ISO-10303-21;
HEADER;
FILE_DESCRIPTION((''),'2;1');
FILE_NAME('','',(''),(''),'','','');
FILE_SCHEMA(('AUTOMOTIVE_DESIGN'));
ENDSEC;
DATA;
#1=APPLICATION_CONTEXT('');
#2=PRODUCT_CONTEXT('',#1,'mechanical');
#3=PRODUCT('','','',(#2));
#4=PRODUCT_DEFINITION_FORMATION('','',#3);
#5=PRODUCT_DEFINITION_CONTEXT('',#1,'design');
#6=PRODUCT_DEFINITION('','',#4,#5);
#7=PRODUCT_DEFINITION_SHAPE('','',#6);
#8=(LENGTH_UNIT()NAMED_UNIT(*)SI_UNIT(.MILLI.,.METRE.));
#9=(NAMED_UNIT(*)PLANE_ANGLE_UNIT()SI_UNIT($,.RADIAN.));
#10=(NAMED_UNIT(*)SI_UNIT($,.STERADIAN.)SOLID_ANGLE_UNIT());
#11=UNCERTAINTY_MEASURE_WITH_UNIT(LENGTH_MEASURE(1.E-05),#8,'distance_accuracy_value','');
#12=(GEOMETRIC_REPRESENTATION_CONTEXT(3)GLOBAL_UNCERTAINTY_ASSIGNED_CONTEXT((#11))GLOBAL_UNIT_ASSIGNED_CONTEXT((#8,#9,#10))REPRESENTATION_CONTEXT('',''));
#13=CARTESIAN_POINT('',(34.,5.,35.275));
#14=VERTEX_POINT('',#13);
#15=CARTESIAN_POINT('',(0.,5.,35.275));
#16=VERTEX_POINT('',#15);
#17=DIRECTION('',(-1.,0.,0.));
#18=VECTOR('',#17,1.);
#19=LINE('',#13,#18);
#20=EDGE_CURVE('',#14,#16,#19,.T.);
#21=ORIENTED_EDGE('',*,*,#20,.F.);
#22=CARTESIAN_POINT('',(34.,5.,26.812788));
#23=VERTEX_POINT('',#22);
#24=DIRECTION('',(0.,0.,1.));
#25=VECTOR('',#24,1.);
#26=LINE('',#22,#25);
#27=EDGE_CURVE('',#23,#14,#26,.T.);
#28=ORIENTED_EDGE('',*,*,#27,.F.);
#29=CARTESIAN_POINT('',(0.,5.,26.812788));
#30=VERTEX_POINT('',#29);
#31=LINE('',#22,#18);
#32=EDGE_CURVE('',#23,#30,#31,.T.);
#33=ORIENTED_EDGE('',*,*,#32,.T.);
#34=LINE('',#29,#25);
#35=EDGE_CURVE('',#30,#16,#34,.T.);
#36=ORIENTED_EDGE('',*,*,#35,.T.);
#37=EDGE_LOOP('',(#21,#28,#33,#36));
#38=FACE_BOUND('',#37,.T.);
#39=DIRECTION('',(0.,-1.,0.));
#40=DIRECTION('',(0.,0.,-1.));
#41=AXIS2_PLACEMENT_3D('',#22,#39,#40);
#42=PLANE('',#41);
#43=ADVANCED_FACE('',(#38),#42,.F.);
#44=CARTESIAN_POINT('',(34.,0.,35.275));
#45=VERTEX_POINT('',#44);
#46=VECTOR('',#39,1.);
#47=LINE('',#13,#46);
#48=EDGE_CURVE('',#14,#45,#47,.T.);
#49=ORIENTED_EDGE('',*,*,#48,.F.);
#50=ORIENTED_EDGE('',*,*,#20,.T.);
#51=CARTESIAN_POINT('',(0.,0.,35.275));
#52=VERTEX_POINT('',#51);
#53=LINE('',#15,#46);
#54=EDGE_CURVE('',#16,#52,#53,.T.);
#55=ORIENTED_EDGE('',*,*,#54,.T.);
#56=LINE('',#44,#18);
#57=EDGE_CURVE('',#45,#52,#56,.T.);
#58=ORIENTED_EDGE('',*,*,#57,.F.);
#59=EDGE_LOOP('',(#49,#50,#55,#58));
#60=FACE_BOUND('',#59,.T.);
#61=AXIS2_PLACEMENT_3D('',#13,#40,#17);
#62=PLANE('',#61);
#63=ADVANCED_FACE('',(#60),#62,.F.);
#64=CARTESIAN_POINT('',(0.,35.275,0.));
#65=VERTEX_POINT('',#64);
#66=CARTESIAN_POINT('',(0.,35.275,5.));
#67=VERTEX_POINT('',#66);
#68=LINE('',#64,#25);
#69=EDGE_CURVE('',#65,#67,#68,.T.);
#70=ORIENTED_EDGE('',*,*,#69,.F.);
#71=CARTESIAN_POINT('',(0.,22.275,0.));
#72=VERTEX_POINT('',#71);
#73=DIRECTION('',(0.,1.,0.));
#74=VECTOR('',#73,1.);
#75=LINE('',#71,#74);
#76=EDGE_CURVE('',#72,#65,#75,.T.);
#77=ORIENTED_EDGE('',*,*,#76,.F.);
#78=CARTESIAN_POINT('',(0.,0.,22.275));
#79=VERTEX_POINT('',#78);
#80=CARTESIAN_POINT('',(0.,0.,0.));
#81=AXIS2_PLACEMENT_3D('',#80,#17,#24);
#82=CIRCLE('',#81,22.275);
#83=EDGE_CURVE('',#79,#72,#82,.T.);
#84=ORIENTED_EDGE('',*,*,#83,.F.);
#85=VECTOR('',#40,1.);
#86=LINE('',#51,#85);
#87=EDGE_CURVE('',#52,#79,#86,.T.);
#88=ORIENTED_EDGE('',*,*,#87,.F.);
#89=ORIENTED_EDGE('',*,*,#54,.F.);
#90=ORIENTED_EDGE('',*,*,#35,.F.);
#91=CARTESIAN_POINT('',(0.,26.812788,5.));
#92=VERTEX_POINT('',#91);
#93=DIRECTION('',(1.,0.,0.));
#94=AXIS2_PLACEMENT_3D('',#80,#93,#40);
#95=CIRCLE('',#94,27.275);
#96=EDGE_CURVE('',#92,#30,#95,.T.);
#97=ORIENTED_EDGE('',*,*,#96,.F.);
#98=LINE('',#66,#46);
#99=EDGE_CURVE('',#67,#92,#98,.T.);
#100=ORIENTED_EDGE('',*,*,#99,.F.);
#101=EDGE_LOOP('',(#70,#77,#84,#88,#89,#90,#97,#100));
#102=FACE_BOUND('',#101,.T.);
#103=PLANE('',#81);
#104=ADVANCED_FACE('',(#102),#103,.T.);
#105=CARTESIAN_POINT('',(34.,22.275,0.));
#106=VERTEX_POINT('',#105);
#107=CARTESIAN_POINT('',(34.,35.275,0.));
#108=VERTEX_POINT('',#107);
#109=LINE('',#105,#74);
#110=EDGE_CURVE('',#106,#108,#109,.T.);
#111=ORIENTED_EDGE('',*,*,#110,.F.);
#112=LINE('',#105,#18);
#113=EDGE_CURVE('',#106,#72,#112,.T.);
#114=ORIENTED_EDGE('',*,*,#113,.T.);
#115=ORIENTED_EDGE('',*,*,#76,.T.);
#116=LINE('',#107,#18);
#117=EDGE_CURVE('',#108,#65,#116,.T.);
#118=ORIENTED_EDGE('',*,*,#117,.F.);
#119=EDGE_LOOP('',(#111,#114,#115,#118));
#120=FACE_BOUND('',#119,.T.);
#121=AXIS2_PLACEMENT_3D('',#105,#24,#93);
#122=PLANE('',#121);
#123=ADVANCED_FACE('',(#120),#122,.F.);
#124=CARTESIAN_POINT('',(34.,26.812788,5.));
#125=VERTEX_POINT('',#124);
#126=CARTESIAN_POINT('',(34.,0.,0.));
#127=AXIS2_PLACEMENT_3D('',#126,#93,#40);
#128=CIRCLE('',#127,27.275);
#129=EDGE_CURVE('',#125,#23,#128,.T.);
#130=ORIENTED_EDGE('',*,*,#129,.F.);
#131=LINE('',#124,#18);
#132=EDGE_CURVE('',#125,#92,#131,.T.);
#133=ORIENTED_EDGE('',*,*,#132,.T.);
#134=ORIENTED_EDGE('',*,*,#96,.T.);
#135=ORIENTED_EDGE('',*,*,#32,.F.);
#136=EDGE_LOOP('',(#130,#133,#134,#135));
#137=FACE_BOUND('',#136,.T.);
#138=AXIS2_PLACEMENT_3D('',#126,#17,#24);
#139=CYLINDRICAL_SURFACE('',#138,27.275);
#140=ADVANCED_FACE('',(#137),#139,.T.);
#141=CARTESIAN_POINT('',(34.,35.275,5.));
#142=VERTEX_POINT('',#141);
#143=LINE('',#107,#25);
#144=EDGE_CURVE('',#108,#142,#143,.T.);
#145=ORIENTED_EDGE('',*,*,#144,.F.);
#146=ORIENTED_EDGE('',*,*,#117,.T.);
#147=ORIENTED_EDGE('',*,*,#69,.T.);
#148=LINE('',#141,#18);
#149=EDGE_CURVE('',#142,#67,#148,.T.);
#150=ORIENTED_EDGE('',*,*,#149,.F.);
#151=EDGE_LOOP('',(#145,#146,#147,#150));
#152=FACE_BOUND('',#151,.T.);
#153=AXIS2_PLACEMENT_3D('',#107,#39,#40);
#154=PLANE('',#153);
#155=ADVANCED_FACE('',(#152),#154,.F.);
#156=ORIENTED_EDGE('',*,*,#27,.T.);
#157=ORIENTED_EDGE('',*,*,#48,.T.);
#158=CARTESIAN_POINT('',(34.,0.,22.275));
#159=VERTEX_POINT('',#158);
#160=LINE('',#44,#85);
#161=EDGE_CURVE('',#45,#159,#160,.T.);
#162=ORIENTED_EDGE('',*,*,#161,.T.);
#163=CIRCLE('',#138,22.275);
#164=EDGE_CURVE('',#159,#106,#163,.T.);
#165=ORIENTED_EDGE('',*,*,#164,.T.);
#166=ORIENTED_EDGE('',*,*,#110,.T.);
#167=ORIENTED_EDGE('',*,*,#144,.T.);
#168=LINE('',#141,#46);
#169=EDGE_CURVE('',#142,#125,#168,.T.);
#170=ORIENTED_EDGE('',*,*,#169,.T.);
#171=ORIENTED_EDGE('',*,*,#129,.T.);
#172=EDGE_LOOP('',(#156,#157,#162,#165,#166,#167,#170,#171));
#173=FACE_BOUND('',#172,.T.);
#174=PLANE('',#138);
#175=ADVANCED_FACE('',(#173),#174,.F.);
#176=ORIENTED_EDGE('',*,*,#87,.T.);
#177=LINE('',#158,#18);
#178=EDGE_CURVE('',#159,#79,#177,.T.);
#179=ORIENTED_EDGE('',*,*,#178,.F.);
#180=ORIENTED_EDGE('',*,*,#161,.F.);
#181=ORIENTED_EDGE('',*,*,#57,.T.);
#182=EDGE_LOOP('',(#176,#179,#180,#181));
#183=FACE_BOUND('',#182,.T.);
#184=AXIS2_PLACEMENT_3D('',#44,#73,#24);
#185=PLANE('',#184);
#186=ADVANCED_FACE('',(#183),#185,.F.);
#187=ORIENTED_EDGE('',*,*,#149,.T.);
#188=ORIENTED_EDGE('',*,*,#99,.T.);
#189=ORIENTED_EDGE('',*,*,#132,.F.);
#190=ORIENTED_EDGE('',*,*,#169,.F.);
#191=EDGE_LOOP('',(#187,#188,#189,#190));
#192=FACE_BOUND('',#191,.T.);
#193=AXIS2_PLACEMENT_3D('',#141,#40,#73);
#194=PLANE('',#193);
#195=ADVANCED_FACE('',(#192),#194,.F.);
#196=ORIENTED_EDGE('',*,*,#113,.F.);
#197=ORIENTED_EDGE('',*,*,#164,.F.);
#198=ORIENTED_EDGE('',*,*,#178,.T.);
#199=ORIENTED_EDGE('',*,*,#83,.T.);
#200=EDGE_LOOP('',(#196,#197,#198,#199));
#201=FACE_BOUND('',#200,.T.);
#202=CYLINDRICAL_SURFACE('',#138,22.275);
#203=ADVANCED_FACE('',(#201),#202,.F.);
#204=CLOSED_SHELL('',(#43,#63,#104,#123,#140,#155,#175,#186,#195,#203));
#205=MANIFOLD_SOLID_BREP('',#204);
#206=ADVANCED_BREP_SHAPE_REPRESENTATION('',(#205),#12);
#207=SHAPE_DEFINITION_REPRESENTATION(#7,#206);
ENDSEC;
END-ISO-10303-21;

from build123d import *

# Parameters (mm, degrees)
BOSS_EXTRUDE1_DEPTH = 34


with BuildPart() as part:
    # Sketch1 → Boss-Extrude1 (new body)
    with BuildSketch(Plane(origin=(0, 0, 0), x_dir=(0, 0, -1), z_dir=(1, 0, 0))):
        with BuildLine():
            Line((-35.275, 0), (-22.275, 0))
            ThreePointArc((-22.275, 0), (-15.750803551, 15.750803551), (0, 22.275))
            Line((0, 22.275), (0, 35.275))
            Line((0, 35.275), (-5, 35.275))
            Line((-5, 35.275), (-5, 26.81278846))
            ThreePointArc((-5, 26.81278846), (-19.286337457, 19.286337457), (-26.81278846, 5))
            Line((-26.81278846, 5), (-35.275, 5))
            Line((-35.275, 5), (-35.275, 0))
        make_face()
    extrude(amount=BOSS_EXTRUDE1_DEPTH)


solid = part.part
